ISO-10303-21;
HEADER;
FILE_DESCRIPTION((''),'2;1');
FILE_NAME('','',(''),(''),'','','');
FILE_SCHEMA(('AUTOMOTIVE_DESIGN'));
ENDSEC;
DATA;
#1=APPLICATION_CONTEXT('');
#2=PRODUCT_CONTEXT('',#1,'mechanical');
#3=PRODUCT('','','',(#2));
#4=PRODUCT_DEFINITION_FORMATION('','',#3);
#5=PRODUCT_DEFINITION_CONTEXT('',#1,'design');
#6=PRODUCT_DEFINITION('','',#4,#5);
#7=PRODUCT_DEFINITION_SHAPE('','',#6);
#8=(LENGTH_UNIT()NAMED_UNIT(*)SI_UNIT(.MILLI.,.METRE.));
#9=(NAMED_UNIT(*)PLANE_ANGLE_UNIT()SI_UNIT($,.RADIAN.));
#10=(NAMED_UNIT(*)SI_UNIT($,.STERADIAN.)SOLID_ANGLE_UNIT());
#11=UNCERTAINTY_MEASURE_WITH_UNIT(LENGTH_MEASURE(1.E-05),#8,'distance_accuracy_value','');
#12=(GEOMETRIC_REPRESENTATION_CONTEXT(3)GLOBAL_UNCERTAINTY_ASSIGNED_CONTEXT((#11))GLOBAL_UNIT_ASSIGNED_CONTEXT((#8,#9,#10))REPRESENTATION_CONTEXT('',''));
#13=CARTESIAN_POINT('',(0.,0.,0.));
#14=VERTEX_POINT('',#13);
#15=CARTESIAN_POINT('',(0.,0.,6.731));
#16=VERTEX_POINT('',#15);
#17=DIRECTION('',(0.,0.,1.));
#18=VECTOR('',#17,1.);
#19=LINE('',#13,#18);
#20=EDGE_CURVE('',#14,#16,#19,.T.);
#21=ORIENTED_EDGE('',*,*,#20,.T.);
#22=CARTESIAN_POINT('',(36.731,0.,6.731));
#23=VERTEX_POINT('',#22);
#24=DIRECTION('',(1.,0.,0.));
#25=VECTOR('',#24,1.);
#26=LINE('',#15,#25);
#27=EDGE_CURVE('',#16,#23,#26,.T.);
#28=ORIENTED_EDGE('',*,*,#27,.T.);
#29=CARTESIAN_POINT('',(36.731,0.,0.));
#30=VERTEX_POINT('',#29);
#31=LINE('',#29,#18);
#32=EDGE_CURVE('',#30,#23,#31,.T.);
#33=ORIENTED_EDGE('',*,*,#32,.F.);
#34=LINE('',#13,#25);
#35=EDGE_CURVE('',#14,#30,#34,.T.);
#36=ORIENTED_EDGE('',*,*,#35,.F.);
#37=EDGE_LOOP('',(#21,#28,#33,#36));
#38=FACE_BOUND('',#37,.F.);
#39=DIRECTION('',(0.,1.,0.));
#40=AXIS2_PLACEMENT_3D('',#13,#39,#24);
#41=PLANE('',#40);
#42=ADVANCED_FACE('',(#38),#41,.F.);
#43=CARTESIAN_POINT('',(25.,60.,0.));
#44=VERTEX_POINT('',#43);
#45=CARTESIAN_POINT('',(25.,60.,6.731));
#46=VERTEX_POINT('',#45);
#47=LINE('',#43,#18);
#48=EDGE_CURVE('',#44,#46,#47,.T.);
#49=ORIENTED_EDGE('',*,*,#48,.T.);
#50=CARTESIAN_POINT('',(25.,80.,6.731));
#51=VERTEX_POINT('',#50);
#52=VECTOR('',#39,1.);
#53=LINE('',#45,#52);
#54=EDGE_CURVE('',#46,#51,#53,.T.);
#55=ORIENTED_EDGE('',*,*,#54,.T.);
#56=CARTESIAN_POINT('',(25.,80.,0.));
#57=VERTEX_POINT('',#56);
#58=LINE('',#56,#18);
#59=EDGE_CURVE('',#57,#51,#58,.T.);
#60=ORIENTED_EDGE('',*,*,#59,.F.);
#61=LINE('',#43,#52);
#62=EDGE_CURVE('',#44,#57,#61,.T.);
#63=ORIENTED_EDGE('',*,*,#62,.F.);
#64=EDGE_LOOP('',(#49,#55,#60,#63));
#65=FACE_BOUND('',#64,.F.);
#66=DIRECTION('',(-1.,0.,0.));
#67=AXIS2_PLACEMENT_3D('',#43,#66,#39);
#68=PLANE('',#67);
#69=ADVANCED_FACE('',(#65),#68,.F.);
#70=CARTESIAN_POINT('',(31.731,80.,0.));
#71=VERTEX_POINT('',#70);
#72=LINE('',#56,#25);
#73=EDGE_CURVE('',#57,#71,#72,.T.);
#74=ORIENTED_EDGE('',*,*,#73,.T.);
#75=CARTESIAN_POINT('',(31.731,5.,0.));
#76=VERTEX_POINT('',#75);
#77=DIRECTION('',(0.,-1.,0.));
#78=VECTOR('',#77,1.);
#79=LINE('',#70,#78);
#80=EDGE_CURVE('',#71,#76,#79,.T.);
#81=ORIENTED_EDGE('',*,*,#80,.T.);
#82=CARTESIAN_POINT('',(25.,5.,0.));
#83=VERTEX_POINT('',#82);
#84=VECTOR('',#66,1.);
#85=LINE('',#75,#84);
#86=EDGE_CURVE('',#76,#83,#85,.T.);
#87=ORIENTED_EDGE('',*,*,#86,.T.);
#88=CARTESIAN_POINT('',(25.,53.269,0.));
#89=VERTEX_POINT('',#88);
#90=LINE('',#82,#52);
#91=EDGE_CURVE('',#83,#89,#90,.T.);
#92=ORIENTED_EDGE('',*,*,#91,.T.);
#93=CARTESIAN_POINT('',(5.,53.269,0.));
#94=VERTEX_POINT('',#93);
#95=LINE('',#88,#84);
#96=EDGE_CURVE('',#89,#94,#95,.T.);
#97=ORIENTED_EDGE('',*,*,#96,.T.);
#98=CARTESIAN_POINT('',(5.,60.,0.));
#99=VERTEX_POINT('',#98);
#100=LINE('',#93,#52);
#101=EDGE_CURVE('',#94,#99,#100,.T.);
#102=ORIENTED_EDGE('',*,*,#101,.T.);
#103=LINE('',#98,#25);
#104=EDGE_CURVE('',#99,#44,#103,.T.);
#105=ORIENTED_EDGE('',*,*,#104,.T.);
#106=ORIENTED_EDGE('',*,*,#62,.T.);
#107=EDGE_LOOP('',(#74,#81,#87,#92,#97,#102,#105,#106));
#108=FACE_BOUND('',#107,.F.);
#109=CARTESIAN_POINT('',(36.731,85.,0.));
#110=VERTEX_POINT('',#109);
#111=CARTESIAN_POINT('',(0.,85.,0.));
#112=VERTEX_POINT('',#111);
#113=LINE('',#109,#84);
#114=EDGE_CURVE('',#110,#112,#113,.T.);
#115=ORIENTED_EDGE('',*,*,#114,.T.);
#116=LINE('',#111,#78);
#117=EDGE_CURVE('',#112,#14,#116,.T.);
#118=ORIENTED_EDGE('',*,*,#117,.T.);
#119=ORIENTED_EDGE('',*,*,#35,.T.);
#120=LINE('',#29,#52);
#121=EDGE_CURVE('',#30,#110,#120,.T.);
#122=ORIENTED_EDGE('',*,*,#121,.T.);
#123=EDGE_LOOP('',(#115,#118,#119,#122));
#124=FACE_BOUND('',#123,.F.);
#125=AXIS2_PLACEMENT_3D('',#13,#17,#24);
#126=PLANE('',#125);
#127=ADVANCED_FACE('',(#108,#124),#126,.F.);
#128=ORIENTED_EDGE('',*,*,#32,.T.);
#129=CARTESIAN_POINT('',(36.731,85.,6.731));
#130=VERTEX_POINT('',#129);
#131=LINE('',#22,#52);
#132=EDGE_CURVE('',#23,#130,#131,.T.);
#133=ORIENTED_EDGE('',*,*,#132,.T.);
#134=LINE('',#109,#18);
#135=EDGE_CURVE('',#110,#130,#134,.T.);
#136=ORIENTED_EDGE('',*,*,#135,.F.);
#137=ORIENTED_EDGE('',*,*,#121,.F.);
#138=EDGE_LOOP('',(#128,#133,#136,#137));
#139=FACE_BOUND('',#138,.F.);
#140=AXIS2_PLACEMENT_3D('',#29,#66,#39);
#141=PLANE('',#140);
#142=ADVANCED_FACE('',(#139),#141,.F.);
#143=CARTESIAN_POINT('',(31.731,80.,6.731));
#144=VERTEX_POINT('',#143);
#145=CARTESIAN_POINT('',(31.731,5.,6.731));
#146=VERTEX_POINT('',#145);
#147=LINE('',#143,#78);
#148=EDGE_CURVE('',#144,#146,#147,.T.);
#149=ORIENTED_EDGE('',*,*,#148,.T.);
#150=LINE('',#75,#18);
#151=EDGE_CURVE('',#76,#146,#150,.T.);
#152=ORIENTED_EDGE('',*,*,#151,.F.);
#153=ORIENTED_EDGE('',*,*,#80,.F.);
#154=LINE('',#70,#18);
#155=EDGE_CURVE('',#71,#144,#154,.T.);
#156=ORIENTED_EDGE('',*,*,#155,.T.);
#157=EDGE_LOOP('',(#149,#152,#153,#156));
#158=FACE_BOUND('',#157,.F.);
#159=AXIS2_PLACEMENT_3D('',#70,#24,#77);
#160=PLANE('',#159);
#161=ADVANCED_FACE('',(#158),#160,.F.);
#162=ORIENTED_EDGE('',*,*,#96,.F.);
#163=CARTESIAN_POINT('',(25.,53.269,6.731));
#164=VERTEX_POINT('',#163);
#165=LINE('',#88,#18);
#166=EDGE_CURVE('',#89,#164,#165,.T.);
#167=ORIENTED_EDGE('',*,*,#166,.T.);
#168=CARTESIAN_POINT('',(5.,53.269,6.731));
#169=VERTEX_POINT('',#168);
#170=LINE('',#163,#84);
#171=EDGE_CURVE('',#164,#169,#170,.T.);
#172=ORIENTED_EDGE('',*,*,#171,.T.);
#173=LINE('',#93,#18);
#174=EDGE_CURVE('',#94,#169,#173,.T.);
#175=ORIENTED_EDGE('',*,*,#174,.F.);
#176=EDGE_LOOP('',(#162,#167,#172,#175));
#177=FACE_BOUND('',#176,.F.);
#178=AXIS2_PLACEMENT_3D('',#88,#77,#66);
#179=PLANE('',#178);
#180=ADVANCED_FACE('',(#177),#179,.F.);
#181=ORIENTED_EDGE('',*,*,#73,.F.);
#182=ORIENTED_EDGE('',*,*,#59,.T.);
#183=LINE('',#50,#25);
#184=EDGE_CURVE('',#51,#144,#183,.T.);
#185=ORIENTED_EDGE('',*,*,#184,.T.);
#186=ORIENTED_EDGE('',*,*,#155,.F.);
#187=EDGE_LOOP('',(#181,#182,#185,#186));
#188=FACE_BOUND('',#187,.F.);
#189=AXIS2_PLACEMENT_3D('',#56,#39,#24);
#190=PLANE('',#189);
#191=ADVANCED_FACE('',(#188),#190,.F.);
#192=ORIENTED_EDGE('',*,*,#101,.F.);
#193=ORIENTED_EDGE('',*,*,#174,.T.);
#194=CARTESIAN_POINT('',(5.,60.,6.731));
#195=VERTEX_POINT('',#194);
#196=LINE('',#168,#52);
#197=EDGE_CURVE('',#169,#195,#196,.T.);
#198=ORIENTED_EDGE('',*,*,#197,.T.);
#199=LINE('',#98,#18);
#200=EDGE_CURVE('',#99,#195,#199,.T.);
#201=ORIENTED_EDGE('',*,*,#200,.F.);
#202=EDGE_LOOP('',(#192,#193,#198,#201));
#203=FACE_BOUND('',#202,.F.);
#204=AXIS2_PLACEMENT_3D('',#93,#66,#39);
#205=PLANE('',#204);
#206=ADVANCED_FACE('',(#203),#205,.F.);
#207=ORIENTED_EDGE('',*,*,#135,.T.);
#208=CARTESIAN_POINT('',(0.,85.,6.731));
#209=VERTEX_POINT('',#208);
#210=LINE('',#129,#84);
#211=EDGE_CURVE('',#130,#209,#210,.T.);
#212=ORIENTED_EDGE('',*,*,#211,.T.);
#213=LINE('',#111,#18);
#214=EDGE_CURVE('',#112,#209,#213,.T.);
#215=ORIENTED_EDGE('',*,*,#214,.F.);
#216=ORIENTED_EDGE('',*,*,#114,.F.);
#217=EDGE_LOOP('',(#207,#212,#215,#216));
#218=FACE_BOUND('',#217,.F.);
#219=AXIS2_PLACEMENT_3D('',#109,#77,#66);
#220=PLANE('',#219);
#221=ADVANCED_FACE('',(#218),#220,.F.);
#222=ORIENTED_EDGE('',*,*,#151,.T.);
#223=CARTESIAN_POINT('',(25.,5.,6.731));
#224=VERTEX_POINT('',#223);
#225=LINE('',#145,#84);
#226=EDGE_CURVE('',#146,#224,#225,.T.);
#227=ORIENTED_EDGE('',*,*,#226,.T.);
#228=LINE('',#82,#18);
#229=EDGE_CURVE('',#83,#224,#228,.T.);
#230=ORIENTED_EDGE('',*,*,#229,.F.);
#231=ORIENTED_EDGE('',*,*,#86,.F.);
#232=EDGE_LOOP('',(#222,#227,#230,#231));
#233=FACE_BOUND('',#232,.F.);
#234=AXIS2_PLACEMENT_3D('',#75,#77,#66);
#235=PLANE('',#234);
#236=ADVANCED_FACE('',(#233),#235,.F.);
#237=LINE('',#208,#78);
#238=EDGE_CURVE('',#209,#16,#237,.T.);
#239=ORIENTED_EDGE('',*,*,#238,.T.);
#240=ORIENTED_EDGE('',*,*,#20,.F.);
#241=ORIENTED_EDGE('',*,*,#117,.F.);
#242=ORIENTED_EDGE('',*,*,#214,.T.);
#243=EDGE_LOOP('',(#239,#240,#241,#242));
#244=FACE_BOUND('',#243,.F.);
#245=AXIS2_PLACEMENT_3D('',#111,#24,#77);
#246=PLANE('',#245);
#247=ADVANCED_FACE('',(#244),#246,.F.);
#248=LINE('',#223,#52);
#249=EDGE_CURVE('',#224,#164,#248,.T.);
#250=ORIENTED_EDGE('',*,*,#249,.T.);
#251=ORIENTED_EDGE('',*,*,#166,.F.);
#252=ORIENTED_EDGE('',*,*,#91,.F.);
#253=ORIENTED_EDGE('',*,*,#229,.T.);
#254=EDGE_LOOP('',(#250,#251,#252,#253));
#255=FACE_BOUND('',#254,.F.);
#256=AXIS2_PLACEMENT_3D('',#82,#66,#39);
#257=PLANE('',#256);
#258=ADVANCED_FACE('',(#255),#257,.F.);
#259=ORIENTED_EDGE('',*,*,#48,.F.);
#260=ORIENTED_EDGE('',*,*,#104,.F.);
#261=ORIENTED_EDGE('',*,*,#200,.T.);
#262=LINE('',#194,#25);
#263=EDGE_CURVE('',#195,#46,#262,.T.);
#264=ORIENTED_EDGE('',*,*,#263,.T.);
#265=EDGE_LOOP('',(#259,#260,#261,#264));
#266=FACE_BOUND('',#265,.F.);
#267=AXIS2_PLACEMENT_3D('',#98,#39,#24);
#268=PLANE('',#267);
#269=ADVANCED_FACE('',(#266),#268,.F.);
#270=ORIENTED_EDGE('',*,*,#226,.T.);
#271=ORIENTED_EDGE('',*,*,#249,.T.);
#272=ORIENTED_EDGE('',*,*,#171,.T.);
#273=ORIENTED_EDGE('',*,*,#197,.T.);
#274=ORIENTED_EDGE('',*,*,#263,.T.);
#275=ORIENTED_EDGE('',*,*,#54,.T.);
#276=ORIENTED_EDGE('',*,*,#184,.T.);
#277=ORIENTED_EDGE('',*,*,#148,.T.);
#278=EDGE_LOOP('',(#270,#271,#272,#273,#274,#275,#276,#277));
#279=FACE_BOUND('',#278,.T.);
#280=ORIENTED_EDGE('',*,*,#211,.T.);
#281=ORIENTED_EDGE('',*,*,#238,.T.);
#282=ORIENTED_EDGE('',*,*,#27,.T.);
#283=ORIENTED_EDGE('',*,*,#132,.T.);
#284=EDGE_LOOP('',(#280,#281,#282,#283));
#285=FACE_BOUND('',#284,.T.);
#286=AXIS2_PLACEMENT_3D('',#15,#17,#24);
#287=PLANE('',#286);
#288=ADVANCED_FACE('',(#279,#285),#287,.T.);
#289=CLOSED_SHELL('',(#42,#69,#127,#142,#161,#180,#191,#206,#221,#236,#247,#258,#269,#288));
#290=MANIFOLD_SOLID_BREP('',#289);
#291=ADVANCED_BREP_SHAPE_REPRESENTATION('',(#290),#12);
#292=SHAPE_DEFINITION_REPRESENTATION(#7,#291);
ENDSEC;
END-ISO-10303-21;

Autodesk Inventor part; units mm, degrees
ref_plane "YZ Plane" through (0, 0, 0) normal (1, 0, 0) x (0, 1, 0)
ref_plane "XZ Plane" through (0, 0, 0) normal (0, 1, 0) x (-1, 0, 0)
ref_plane "XY Plane" through (0, 0, 0) normal (0, 0, 1) x (1, 0, 0)
sketch "Sketch1" plane through (0, 0, 0) normal (0, 0, 1) x (1, 0, 0)
  line L0 (0, 0) -> (36.731, 0)
  line L1 (36.731, 0) -> (36.731, 85)
  line L2 (36.731, 85) -> (0, 85)
  line L3 (0, 85) -> (0, 0)
  line L4 (25, 5) -> (25, 53.269)
  line L5 (25, 53.269) -> (5, 53.269)
  line L6 (5, 53.269) -> (5, 60)
  line L7 (5, 60) -> (25, 60)
  line L8 (25, 60) -> (25, 80)
  line L9 (25, 80) -> (31.731, 80)
  line L10 (31.731, 80) -> (31.731, 5)
  line L11 (31.731, 5) -> (25, 5)
  dimension "d1" = 75
  dimension "d2" = 20
  dimension "d3" = 6.731
  dimension "d4" = 20
  dimension "d7" = 5
  dimension "d8" = 5
  dimension "d9" = 5
  dimension "d10" = 5
extrude "Extrusion1" add sketch "Sketch1" along normal blind 6.731
equation "\"d3\" = THICKB"
equation "\"d8\" = d7"
equation "\"d9\" = d7"
equation "\"d10\" = d7"
equation "\"d11\" = THICKB"
equation "\"THICKA\" = 3.175"
equation "\"THICKB\" = 6.731"
equation "\"THICKC\" = 12.7"
equation "\"MAGDIA\" = 9.5"
equation "\"BALLDIA\" = 12"
properties part number "Carriage_Jig_Glue"
